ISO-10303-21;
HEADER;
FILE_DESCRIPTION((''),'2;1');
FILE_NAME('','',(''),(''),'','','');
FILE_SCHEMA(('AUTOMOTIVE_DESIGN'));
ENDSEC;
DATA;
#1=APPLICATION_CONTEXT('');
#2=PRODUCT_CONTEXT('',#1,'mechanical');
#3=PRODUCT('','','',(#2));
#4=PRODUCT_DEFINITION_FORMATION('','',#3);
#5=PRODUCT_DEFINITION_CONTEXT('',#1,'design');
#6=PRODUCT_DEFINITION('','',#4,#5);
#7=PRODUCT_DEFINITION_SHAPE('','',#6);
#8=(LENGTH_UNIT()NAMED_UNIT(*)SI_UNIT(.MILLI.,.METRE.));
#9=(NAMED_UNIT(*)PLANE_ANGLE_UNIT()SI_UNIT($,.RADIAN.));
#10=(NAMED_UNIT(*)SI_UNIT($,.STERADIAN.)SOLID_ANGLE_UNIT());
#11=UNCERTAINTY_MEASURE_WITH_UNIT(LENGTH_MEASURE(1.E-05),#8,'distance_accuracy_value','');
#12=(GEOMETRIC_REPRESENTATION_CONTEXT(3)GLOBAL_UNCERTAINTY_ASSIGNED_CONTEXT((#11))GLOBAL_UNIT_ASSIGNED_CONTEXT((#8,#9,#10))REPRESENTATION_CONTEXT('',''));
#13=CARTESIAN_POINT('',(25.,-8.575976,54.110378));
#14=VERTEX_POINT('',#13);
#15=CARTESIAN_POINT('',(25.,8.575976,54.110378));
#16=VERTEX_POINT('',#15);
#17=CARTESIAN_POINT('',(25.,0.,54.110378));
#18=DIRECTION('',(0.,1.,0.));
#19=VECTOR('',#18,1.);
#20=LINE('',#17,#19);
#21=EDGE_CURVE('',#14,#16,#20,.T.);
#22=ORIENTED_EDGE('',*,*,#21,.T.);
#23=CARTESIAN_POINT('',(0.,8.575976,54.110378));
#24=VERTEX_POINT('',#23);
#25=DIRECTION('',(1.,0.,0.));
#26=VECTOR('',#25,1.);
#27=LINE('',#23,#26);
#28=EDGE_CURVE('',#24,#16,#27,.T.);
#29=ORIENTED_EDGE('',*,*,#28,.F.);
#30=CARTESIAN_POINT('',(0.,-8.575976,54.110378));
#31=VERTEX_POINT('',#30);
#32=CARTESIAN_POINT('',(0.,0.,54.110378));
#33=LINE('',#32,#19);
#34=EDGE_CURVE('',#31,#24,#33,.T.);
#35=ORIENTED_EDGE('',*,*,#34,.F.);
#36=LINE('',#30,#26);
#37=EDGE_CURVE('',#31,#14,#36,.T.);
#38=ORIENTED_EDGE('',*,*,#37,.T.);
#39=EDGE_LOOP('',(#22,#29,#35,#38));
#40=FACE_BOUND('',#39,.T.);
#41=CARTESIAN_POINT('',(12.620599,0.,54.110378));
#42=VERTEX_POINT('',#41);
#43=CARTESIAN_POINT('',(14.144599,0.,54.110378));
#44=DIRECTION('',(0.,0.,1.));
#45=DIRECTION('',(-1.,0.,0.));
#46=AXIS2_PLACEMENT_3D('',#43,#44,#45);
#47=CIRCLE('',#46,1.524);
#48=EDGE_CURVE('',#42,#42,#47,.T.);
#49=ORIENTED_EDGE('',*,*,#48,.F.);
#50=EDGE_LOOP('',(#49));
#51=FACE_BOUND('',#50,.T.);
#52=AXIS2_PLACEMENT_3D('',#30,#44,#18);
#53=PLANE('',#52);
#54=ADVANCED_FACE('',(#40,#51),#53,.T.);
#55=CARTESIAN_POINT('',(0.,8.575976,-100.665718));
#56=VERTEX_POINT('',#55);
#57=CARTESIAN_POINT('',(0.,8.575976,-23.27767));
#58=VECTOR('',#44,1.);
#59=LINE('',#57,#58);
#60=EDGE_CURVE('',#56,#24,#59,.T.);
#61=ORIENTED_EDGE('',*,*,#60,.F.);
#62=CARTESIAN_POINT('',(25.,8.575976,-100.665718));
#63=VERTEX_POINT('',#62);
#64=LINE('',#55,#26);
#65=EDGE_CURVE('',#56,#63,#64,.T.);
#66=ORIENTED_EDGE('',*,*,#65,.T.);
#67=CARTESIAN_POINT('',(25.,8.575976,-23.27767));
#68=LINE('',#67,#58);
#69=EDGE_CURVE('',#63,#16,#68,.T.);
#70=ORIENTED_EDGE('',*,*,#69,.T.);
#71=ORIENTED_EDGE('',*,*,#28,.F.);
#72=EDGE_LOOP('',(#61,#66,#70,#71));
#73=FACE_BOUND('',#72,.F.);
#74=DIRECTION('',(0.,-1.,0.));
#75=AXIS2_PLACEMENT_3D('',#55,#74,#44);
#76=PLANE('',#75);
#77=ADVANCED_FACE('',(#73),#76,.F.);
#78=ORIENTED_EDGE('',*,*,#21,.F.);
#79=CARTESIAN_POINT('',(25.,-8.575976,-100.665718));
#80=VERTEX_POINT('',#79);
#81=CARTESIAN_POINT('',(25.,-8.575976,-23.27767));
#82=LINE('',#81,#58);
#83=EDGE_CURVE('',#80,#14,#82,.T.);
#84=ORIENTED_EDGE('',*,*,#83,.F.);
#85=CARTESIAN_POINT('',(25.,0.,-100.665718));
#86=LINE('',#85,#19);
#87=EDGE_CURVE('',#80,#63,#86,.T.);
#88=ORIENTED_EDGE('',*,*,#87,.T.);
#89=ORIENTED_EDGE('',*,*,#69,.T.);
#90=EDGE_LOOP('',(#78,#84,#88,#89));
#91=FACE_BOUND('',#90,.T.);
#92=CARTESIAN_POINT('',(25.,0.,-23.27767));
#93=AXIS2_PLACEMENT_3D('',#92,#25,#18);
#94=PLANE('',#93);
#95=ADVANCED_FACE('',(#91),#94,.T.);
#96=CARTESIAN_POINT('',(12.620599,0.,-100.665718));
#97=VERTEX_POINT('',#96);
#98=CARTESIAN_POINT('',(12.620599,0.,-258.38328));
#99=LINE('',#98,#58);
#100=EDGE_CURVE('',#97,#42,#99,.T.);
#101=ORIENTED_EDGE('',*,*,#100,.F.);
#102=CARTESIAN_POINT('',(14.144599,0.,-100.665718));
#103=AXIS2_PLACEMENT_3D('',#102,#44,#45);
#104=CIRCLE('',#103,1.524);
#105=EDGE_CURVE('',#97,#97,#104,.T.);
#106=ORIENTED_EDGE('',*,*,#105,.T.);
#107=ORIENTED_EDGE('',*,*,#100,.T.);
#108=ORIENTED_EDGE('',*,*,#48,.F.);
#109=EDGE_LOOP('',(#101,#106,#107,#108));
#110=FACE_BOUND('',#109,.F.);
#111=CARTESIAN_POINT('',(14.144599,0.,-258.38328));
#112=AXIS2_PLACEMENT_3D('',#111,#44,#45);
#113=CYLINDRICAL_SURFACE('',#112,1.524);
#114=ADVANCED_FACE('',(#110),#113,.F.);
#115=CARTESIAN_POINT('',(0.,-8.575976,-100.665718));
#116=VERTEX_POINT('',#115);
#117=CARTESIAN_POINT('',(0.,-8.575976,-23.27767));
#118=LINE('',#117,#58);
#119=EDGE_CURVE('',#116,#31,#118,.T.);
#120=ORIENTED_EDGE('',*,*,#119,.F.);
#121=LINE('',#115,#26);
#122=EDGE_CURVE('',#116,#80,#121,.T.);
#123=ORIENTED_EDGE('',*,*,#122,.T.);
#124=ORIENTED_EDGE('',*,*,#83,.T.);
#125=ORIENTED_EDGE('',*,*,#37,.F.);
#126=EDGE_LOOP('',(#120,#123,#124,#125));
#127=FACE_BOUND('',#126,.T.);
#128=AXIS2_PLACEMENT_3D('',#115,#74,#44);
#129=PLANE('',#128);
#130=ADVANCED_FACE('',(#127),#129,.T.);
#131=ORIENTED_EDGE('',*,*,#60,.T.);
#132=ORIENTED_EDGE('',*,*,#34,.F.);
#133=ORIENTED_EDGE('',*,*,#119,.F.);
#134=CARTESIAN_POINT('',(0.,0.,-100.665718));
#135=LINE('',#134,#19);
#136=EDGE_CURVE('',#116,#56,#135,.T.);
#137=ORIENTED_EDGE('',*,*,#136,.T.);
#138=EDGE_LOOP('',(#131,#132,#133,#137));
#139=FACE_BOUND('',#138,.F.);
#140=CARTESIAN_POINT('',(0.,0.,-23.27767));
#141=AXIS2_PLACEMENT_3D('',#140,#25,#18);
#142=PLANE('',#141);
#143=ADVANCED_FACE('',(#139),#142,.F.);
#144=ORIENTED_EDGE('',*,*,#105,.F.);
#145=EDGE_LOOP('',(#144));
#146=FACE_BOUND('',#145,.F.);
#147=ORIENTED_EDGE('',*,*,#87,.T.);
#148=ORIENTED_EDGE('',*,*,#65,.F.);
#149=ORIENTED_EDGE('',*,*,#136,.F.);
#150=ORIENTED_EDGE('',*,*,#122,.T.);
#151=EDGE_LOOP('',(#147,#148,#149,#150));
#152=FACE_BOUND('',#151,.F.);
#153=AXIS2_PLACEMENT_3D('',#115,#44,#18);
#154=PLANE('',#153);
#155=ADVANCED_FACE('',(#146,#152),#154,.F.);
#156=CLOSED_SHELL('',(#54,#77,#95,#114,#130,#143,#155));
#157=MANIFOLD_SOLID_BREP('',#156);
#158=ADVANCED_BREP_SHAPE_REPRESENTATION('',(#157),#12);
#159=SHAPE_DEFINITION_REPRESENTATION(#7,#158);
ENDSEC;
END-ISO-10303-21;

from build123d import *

# Parameters (mm, degrees)
F0_W     = 17.151952
F0_H     = 154.776096
F1_DEPTH = 25
F3_D     = 3.048


with BuildPart() as f1:
    # F0 (on Right) → F1 (new body)
    with BuildSketch(Plane.YZ):
        with Locations((0, -23.27767)):
            Rectangle(F0_W, F0_H)
    extrude(amount=F1_DEPTH)

    # F3 (through all)
    with Locations(Plane(origin=(0, 0, -100.665718), x_dir=(1, 0, 0), z_dir=(0, 0, -1))):
        with Locations((14.144599, 0)):
            Hole(F3_D / 2)


solid = f1.part
